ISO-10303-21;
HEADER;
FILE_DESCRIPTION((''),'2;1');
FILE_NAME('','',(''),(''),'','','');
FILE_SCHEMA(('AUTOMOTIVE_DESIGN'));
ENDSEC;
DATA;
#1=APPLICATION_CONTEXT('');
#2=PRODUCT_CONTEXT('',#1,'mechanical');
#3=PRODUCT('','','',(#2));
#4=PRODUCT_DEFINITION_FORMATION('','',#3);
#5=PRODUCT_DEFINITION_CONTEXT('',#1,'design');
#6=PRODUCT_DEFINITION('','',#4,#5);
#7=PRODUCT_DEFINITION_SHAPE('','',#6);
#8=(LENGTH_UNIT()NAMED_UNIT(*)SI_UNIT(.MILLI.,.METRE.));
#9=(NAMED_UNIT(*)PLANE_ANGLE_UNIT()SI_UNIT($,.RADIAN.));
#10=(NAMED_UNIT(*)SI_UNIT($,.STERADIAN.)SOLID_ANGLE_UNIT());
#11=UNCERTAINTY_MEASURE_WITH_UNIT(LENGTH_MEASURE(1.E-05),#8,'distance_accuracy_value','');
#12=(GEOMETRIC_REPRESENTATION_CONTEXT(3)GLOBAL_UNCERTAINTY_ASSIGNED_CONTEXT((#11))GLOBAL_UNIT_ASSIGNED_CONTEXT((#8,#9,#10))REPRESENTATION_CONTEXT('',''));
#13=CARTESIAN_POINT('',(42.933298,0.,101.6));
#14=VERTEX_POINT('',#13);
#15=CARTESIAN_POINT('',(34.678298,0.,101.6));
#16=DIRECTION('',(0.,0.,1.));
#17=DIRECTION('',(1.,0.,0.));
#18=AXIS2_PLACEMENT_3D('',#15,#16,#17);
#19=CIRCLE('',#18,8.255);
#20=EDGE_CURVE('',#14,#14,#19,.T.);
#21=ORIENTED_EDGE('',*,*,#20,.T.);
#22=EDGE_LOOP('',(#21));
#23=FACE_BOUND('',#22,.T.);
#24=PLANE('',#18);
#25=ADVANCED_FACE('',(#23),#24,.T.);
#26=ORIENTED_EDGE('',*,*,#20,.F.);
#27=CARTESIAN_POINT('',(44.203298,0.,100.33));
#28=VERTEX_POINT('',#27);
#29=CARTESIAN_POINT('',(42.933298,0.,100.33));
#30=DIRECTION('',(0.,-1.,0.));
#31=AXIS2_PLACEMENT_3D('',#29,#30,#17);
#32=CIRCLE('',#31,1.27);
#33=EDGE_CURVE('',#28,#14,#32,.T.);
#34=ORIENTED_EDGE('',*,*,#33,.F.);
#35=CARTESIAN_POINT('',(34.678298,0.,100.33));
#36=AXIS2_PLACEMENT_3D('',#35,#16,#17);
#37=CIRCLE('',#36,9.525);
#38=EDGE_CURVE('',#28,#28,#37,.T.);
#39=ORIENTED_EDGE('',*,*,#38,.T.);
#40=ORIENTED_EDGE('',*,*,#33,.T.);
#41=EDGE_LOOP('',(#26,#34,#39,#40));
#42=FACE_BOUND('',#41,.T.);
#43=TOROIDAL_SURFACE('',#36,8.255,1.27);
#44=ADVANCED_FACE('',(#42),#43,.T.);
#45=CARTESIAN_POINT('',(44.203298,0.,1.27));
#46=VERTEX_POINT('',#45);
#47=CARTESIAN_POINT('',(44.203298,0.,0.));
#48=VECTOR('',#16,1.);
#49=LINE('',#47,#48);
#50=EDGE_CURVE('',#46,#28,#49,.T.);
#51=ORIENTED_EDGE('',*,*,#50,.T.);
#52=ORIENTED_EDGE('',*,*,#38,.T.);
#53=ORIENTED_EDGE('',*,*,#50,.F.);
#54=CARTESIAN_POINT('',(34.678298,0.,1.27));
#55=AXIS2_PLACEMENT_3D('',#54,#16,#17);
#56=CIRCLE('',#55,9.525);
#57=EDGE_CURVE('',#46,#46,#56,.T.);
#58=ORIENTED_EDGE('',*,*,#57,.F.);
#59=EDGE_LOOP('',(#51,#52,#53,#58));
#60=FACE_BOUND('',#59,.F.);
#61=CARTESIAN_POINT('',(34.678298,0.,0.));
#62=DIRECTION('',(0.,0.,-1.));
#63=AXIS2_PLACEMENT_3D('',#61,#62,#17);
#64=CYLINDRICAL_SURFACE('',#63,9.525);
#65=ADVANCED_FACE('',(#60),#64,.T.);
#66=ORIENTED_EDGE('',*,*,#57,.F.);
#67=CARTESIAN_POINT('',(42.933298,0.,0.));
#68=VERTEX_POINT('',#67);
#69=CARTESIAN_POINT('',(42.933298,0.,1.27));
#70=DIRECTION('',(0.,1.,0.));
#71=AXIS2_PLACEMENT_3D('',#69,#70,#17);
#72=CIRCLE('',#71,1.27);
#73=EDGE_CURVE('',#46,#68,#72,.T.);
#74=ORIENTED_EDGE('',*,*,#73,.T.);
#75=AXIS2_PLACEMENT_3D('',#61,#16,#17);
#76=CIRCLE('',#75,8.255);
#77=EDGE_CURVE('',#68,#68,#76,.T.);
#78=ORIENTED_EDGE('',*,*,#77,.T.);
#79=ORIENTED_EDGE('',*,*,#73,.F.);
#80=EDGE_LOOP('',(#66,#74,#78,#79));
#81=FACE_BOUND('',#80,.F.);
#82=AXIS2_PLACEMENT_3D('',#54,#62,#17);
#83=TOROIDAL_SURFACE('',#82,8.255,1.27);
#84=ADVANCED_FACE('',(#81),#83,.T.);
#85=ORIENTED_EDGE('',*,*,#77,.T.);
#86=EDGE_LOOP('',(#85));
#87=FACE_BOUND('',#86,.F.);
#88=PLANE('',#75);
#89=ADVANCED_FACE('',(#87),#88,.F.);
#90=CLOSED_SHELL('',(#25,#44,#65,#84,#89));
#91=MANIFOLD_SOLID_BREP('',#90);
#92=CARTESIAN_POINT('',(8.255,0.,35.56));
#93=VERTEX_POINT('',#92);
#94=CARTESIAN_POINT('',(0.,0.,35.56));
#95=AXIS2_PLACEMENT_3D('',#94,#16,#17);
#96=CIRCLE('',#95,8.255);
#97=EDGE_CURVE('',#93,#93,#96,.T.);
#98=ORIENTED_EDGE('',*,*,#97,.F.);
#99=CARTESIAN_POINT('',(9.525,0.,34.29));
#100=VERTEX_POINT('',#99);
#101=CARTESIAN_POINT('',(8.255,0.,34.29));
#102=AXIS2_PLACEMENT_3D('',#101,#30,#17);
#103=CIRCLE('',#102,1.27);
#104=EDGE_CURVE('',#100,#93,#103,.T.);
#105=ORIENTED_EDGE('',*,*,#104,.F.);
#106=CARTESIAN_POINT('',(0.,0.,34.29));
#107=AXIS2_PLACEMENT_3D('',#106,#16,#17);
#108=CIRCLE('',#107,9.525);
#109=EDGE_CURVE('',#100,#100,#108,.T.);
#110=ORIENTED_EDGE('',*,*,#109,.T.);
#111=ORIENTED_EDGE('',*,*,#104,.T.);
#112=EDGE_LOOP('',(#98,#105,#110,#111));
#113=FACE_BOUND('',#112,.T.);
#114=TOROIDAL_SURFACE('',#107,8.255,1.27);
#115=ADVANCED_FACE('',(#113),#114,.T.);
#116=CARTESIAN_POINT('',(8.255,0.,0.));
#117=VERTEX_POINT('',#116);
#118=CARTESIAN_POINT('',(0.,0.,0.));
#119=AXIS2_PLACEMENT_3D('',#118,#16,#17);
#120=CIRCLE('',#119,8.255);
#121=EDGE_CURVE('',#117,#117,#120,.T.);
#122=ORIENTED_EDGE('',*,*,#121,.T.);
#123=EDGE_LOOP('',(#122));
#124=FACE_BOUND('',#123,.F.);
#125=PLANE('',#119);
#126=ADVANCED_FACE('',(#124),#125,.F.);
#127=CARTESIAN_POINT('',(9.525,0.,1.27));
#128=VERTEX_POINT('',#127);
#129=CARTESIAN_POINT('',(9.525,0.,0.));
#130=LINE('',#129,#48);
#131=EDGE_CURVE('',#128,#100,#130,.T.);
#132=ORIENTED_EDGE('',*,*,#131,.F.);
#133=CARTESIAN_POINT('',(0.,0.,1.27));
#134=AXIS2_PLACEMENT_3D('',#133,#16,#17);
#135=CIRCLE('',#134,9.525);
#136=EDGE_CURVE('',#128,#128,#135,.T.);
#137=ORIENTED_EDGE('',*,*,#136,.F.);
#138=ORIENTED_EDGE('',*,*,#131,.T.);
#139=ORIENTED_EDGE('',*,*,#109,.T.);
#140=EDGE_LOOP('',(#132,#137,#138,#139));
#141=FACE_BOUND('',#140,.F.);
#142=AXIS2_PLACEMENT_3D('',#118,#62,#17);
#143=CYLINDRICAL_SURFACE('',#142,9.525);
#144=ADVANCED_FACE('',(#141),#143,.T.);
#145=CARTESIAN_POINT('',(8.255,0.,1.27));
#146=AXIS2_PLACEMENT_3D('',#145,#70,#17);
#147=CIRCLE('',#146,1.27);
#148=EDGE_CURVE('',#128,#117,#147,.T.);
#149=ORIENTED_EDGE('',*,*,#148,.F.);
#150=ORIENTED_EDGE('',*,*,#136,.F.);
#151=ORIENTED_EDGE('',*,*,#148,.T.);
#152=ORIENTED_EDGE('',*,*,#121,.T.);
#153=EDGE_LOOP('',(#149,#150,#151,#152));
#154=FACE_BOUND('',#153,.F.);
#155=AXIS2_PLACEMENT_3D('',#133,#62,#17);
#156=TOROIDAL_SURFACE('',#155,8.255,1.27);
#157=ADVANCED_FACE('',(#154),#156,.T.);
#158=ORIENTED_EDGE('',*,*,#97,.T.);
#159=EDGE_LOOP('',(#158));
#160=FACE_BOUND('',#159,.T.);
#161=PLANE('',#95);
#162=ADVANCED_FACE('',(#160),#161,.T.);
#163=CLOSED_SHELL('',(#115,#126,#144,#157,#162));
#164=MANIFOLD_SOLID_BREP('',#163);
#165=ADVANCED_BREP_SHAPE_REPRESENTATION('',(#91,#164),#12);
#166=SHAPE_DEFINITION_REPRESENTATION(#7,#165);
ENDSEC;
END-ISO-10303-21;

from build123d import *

# Parameters (mm, degrees)
F0_R     = 9.525
F1_DEPTH = 35.56
F2_R     = 1.27
F3_R     = 9.525
F4_DEPTH = 101.6
F5_R     = 1.27


with BuildPart() as f1:
    # F0 (on Top) → F1 (new body)
    with BuildSketch(Plane.XY):
        Circle(F0_R)
    extrude(amount=F1_DEPTH)

    # F2
    f2_edges = [f1.edges().sort_by_distance(p)[0] for p in [
        (-9.525, 0, 35.56),
        (-9.525, 0, 0),
    ]]
    fillet(f2_edges, radius=F2_R)


with BuildPart() as f4:
    # F3 (on Top) → F4 (new body)
    with BuildSketch(Plane.XY):
        with Locations((34.678298, 0)):
            Circle(F3_R)
    extrude(amount=F4_DEPTH)

    # F5
    f5_edges = [f4.edges().sort_by_distance(p)[0] for p in [
        (25.153298, 0, 101.6),
        (25.153298, 0, 0),
    ]]
    fillet(f5_edges, radius=F5_R)


solid = Compound([f1.part, f4.part])
